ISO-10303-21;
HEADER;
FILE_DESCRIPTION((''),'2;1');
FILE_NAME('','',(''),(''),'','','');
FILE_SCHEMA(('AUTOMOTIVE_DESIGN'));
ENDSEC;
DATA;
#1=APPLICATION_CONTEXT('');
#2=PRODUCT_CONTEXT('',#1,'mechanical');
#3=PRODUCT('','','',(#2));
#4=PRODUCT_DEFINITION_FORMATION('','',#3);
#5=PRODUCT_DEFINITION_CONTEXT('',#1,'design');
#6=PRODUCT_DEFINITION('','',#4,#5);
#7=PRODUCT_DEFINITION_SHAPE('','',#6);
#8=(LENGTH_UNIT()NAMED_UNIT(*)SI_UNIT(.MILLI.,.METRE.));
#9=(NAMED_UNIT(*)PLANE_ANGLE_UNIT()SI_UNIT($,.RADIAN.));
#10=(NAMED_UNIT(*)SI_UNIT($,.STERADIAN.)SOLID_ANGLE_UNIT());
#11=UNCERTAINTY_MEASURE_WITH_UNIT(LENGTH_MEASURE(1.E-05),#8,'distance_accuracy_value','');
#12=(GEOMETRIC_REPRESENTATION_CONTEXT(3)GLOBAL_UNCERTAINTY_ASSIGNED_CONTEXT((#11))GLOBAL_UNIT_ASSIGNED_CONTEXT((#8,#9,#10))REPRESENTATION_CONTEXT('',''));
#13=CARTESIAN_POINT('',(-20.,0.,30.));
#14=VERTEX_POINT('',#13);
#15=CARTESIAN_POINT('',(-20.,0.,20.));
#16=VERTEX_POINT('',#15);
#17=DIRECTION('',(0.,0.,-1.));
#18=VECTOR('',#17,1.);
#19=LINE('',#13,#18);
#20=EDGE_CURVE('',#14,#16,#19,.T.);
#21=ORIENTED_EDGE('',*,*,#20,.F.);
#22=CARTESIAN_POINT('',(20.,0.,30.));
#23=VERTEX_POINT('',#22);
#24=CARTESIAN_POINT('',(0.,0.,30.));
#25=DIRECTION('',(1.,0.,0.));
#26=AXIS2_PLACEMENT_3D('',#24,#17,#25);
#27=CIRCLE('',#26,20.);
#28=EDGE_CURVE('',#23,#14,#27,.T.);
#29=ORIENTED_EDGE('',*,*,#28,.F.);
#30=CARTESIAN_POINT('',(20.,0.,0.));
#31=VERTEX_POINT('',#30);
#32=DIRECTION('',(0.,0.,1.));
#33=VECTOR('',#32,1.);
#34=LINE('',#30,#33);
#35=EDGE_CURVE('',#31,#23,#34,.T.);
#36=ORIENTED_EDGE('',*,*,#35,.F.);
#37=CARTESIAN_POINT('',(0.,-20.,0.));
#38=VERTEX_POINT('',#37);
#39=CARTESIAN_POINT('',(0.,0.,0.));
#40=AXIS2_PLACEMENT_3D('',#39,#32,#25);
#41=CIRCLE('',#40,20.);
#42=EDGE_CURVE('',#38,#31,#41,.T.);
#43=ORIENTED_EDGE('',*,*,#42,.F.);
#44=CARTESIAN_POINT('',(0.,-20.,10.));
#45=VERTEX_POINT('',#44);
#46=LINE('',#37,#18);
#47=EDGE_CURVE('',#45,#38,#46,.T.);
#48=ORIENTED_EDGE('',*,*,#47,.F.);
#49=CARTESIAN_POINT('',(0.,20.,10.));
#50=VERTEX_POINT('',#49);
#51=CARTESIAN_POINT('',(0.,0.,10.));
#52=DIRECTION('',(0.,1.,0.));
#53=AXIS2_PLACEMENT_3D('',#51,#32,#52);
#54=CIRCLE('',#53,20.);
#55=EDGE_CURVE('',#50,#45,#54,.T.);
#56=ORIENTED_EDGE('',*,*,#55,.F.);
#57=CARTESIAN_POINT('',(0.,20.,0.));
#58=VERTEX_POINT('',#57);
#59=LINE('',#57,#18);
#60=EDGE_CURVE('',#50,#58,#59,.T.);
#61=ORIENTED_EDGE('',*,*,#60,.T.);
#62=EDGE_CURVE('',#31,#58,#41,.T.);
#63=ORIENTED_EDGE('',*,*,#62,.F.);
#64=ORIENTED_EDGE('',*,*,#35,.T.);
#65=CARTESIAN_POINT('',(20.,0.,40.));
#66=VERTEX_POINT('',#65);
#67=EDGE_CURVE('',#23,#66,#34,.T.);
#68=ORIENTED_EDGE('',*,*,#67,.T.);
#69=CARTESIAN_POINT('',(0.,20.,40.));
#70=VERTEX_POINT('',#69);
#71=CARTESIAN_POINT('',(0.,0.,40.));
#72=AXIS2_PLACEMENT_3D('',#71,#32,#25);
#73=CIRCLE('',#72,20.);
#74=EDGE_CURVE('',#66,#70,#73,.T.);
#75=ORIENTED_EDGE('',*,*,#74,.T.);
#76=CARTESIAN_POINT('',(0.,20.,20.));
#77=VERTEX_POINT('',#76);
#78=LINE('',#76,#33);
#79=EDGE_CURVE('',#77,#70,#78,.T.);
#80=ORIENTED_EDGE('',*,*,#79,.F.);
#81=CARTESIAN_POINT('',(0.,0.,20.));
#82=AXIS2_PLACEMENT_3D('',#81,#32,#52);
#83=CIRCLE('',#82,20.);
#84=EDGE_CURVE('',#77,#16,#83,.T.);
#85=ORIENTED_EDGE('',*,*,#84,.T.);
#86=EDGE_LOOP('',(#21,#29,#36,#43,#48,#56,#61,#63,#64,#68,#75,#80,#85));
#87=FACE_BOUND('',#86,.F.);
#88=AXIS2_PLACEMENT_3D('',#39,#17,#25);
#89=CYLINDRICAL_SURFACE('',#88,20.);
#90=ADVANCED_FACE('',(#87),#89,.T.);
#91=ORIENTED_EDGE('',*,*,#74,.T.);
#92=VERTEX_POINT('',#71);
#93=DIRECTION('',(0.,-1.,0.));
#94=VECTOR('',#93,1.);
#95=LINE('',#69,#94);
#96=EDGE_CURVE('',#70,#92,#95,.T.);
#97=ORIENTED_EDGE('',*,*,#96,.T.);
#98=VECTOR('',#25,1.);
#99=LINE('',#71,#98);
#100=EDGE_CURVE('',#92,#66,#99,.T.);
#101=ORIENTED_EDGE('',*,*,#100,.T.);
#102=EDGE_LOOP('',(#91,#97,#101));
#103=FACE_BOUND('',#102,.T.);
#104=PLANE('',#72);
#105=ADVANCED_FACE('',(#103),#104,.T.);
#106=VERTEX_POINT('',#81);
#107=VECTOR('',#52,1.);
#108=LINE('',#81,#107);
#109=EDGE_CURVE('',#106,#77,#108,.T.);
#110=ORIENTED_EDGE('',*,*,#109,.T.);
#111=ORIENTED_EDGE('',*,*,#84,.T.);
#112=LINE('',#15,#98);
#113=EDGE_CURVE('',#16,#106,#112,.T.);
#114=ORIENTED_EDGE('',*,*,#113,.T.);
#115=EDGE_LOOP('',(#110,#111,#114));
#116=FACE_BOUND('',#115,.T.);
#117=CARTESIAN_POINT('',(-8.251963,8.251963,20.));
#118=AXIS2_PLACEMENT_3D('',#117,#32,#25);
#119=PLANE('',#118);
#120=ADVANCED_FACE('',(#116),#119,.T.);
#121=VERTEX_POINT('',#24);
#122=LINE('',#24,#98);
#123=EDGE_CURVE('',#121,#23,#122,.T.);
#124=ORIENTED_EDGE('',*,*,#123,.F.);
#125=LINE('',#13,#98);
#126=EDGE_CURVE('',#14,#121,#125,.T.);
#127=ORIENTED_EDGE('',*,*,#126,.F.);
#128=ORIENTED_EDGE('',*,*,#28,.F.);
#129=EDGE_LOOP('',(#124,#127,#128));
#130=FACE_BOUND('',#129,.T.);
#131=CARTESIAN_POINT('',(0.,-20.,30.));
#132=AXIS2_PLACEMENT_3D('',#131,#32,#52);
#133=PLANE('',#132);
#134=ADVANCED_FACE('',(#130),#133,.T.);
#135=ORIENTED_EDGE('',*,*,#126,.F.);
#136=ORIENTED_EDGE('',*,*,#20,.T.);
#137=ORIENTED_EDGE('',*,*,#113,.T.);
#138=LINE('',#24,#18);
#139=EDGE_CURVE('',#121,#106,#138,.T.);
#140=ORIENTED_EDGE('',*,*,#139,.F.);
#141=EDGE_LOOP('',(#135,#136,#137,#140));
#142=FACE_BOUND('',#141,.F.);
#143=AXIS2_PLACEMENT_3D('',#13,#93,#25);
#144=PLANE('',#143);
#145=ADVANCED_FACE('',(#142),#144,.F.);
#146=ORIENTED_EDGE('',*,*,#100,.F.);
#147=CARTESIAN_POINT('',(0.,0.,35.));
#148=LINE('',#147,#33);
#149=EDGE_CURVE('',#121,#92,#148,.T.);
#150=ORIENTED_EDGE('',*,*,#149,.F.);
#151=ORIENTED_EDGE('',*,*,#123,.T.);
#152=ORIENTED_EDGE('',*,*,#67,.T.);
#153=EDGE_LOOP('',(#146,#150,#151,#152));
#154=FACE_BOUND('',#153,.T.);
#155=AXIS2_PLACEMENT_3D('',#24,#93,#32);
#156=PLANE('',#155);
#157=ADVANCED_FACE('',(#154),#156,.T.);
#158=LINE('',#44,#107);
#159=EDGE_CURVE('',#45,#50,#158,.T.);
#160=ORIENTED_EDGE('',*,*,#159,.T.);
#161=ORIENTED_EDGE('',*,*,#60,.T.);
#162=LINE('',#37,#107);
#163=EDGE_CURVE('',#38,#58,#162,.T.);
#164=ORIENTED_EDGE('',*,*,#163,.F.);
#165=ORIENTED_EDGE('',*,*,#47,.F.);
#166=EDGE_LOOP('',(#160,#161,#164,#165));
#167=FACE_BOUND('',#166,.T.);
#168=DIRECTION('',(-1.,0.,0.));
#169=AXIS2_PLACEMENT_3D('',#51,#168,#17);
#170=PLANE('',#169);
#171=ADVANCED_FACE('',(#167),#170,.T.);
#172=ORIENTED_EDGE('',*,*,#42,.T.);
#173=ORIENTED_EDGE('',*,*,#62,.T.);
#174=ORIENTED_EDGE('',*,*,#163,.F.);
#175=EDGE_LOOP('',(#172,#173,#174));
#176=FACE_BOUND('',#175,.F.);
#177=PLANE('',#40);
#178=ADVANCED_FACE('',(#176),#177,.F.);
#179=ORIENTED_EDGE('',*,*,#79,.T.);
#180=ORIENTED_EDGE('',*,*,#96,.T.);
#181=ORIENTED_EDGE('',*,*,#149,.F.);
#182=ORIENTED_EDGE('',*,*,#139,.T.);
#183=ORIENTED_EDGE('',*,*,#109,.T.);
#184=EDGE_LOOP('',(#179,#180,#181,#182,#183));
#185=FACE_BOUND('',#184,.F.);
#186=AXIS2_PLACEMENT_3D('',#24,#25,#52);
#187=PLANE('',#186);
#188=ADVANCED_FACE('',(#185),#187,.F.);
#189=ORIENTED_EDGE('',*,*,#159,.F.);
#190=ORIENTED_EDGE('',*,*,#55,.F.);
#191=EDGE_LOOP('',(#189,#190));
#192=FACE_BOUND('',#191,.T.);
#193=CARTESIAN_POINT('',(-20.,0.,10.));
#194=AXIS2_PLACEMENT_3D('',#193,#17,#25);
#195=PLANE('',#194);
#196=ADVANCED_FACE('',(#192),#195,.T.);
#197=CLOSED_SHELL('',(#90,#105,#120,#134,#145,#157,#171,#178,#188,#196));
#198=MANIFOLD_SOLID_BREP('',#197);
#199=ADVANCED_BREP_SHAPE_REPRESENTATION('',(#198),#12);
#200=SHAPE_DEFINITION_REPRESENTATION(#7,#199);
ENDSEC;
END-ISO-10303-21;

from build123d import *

# Parameters (mm, degrees)
SKETCH1_R               = 20
BOSS_EXTRUDE1_DEPTH     = 40
SKETCH2_W               = 20
SKETCH2_H               = 10
CUT_EXTRUDE1_DEPTH      = 40
CUT_EXTRUDE1_DEPTH_BACK = 40
SKETCH3_W               = 10
SKETCH3_H               = 20
CUT_EXTRUDE2_DEPTH      = 40
CUT_EXTRUDE3_DEPTH      = 10


with BuildPart() as part:
    # Sketch1 → Boss-Extrude1 (new body)
    with BuildSketch(Plane.XY):
        Circle(SKETCH1_R)
    extrude(amount=BOSS_EXTRUDE1_DEPTH)

    # Sketch2 → Cut-Extrude1 (cut, two sides)
    with BuildSketch(Plane(origin=(0, 0, 0), x_dir=(1, 0, 0), z_dir=(0, 1, 0))) as cut_extrude1_sk:
        with Locations((-10, -5)):
            Rectangle(SKETCH2_W, SKETCH2_H)
        with Locations((-10, -35)):
            Rectangle(SKETCH2_W, SKETCH2_H)
    extrude(amount=CUT_EXTRUDE1_DEPTH, mode=Mode.SUBTRACT)
    extrude(cut_extrude1_sk.sketch, amount=-CUT_EXTRUDE1_DEPTH_BACK, mode=Mode.SUBTRACT)

    # Sketch3 → Cut-Extrude2 (cut)
    with BuildSketch(Plane.ZY):
        with Locations((35, -10)):
            Rectangle(SKETCH3_W, SKETCH3_H)
    extrude(amount=-CUT_EXTRUDE2_DEPTH, mode=Mode.SUBTRACT)

    # Sketch4 → Cut-Extrude3 (cut)
    with BuildSketch(Plane.XY.offset(30)):
        with BuildLine():
            Line((-20, 0), (0, 0))
            Line((0, 0), (0, 20))
            ThreePointArc((0, 20), (-14.142135624, 14.142135624), (-20, 0))
        make_face()
    extrude(amount=-CUT_EXTRUDE3_DEPTH, mode=Mode.SUBTRACT)


solid = part.part
